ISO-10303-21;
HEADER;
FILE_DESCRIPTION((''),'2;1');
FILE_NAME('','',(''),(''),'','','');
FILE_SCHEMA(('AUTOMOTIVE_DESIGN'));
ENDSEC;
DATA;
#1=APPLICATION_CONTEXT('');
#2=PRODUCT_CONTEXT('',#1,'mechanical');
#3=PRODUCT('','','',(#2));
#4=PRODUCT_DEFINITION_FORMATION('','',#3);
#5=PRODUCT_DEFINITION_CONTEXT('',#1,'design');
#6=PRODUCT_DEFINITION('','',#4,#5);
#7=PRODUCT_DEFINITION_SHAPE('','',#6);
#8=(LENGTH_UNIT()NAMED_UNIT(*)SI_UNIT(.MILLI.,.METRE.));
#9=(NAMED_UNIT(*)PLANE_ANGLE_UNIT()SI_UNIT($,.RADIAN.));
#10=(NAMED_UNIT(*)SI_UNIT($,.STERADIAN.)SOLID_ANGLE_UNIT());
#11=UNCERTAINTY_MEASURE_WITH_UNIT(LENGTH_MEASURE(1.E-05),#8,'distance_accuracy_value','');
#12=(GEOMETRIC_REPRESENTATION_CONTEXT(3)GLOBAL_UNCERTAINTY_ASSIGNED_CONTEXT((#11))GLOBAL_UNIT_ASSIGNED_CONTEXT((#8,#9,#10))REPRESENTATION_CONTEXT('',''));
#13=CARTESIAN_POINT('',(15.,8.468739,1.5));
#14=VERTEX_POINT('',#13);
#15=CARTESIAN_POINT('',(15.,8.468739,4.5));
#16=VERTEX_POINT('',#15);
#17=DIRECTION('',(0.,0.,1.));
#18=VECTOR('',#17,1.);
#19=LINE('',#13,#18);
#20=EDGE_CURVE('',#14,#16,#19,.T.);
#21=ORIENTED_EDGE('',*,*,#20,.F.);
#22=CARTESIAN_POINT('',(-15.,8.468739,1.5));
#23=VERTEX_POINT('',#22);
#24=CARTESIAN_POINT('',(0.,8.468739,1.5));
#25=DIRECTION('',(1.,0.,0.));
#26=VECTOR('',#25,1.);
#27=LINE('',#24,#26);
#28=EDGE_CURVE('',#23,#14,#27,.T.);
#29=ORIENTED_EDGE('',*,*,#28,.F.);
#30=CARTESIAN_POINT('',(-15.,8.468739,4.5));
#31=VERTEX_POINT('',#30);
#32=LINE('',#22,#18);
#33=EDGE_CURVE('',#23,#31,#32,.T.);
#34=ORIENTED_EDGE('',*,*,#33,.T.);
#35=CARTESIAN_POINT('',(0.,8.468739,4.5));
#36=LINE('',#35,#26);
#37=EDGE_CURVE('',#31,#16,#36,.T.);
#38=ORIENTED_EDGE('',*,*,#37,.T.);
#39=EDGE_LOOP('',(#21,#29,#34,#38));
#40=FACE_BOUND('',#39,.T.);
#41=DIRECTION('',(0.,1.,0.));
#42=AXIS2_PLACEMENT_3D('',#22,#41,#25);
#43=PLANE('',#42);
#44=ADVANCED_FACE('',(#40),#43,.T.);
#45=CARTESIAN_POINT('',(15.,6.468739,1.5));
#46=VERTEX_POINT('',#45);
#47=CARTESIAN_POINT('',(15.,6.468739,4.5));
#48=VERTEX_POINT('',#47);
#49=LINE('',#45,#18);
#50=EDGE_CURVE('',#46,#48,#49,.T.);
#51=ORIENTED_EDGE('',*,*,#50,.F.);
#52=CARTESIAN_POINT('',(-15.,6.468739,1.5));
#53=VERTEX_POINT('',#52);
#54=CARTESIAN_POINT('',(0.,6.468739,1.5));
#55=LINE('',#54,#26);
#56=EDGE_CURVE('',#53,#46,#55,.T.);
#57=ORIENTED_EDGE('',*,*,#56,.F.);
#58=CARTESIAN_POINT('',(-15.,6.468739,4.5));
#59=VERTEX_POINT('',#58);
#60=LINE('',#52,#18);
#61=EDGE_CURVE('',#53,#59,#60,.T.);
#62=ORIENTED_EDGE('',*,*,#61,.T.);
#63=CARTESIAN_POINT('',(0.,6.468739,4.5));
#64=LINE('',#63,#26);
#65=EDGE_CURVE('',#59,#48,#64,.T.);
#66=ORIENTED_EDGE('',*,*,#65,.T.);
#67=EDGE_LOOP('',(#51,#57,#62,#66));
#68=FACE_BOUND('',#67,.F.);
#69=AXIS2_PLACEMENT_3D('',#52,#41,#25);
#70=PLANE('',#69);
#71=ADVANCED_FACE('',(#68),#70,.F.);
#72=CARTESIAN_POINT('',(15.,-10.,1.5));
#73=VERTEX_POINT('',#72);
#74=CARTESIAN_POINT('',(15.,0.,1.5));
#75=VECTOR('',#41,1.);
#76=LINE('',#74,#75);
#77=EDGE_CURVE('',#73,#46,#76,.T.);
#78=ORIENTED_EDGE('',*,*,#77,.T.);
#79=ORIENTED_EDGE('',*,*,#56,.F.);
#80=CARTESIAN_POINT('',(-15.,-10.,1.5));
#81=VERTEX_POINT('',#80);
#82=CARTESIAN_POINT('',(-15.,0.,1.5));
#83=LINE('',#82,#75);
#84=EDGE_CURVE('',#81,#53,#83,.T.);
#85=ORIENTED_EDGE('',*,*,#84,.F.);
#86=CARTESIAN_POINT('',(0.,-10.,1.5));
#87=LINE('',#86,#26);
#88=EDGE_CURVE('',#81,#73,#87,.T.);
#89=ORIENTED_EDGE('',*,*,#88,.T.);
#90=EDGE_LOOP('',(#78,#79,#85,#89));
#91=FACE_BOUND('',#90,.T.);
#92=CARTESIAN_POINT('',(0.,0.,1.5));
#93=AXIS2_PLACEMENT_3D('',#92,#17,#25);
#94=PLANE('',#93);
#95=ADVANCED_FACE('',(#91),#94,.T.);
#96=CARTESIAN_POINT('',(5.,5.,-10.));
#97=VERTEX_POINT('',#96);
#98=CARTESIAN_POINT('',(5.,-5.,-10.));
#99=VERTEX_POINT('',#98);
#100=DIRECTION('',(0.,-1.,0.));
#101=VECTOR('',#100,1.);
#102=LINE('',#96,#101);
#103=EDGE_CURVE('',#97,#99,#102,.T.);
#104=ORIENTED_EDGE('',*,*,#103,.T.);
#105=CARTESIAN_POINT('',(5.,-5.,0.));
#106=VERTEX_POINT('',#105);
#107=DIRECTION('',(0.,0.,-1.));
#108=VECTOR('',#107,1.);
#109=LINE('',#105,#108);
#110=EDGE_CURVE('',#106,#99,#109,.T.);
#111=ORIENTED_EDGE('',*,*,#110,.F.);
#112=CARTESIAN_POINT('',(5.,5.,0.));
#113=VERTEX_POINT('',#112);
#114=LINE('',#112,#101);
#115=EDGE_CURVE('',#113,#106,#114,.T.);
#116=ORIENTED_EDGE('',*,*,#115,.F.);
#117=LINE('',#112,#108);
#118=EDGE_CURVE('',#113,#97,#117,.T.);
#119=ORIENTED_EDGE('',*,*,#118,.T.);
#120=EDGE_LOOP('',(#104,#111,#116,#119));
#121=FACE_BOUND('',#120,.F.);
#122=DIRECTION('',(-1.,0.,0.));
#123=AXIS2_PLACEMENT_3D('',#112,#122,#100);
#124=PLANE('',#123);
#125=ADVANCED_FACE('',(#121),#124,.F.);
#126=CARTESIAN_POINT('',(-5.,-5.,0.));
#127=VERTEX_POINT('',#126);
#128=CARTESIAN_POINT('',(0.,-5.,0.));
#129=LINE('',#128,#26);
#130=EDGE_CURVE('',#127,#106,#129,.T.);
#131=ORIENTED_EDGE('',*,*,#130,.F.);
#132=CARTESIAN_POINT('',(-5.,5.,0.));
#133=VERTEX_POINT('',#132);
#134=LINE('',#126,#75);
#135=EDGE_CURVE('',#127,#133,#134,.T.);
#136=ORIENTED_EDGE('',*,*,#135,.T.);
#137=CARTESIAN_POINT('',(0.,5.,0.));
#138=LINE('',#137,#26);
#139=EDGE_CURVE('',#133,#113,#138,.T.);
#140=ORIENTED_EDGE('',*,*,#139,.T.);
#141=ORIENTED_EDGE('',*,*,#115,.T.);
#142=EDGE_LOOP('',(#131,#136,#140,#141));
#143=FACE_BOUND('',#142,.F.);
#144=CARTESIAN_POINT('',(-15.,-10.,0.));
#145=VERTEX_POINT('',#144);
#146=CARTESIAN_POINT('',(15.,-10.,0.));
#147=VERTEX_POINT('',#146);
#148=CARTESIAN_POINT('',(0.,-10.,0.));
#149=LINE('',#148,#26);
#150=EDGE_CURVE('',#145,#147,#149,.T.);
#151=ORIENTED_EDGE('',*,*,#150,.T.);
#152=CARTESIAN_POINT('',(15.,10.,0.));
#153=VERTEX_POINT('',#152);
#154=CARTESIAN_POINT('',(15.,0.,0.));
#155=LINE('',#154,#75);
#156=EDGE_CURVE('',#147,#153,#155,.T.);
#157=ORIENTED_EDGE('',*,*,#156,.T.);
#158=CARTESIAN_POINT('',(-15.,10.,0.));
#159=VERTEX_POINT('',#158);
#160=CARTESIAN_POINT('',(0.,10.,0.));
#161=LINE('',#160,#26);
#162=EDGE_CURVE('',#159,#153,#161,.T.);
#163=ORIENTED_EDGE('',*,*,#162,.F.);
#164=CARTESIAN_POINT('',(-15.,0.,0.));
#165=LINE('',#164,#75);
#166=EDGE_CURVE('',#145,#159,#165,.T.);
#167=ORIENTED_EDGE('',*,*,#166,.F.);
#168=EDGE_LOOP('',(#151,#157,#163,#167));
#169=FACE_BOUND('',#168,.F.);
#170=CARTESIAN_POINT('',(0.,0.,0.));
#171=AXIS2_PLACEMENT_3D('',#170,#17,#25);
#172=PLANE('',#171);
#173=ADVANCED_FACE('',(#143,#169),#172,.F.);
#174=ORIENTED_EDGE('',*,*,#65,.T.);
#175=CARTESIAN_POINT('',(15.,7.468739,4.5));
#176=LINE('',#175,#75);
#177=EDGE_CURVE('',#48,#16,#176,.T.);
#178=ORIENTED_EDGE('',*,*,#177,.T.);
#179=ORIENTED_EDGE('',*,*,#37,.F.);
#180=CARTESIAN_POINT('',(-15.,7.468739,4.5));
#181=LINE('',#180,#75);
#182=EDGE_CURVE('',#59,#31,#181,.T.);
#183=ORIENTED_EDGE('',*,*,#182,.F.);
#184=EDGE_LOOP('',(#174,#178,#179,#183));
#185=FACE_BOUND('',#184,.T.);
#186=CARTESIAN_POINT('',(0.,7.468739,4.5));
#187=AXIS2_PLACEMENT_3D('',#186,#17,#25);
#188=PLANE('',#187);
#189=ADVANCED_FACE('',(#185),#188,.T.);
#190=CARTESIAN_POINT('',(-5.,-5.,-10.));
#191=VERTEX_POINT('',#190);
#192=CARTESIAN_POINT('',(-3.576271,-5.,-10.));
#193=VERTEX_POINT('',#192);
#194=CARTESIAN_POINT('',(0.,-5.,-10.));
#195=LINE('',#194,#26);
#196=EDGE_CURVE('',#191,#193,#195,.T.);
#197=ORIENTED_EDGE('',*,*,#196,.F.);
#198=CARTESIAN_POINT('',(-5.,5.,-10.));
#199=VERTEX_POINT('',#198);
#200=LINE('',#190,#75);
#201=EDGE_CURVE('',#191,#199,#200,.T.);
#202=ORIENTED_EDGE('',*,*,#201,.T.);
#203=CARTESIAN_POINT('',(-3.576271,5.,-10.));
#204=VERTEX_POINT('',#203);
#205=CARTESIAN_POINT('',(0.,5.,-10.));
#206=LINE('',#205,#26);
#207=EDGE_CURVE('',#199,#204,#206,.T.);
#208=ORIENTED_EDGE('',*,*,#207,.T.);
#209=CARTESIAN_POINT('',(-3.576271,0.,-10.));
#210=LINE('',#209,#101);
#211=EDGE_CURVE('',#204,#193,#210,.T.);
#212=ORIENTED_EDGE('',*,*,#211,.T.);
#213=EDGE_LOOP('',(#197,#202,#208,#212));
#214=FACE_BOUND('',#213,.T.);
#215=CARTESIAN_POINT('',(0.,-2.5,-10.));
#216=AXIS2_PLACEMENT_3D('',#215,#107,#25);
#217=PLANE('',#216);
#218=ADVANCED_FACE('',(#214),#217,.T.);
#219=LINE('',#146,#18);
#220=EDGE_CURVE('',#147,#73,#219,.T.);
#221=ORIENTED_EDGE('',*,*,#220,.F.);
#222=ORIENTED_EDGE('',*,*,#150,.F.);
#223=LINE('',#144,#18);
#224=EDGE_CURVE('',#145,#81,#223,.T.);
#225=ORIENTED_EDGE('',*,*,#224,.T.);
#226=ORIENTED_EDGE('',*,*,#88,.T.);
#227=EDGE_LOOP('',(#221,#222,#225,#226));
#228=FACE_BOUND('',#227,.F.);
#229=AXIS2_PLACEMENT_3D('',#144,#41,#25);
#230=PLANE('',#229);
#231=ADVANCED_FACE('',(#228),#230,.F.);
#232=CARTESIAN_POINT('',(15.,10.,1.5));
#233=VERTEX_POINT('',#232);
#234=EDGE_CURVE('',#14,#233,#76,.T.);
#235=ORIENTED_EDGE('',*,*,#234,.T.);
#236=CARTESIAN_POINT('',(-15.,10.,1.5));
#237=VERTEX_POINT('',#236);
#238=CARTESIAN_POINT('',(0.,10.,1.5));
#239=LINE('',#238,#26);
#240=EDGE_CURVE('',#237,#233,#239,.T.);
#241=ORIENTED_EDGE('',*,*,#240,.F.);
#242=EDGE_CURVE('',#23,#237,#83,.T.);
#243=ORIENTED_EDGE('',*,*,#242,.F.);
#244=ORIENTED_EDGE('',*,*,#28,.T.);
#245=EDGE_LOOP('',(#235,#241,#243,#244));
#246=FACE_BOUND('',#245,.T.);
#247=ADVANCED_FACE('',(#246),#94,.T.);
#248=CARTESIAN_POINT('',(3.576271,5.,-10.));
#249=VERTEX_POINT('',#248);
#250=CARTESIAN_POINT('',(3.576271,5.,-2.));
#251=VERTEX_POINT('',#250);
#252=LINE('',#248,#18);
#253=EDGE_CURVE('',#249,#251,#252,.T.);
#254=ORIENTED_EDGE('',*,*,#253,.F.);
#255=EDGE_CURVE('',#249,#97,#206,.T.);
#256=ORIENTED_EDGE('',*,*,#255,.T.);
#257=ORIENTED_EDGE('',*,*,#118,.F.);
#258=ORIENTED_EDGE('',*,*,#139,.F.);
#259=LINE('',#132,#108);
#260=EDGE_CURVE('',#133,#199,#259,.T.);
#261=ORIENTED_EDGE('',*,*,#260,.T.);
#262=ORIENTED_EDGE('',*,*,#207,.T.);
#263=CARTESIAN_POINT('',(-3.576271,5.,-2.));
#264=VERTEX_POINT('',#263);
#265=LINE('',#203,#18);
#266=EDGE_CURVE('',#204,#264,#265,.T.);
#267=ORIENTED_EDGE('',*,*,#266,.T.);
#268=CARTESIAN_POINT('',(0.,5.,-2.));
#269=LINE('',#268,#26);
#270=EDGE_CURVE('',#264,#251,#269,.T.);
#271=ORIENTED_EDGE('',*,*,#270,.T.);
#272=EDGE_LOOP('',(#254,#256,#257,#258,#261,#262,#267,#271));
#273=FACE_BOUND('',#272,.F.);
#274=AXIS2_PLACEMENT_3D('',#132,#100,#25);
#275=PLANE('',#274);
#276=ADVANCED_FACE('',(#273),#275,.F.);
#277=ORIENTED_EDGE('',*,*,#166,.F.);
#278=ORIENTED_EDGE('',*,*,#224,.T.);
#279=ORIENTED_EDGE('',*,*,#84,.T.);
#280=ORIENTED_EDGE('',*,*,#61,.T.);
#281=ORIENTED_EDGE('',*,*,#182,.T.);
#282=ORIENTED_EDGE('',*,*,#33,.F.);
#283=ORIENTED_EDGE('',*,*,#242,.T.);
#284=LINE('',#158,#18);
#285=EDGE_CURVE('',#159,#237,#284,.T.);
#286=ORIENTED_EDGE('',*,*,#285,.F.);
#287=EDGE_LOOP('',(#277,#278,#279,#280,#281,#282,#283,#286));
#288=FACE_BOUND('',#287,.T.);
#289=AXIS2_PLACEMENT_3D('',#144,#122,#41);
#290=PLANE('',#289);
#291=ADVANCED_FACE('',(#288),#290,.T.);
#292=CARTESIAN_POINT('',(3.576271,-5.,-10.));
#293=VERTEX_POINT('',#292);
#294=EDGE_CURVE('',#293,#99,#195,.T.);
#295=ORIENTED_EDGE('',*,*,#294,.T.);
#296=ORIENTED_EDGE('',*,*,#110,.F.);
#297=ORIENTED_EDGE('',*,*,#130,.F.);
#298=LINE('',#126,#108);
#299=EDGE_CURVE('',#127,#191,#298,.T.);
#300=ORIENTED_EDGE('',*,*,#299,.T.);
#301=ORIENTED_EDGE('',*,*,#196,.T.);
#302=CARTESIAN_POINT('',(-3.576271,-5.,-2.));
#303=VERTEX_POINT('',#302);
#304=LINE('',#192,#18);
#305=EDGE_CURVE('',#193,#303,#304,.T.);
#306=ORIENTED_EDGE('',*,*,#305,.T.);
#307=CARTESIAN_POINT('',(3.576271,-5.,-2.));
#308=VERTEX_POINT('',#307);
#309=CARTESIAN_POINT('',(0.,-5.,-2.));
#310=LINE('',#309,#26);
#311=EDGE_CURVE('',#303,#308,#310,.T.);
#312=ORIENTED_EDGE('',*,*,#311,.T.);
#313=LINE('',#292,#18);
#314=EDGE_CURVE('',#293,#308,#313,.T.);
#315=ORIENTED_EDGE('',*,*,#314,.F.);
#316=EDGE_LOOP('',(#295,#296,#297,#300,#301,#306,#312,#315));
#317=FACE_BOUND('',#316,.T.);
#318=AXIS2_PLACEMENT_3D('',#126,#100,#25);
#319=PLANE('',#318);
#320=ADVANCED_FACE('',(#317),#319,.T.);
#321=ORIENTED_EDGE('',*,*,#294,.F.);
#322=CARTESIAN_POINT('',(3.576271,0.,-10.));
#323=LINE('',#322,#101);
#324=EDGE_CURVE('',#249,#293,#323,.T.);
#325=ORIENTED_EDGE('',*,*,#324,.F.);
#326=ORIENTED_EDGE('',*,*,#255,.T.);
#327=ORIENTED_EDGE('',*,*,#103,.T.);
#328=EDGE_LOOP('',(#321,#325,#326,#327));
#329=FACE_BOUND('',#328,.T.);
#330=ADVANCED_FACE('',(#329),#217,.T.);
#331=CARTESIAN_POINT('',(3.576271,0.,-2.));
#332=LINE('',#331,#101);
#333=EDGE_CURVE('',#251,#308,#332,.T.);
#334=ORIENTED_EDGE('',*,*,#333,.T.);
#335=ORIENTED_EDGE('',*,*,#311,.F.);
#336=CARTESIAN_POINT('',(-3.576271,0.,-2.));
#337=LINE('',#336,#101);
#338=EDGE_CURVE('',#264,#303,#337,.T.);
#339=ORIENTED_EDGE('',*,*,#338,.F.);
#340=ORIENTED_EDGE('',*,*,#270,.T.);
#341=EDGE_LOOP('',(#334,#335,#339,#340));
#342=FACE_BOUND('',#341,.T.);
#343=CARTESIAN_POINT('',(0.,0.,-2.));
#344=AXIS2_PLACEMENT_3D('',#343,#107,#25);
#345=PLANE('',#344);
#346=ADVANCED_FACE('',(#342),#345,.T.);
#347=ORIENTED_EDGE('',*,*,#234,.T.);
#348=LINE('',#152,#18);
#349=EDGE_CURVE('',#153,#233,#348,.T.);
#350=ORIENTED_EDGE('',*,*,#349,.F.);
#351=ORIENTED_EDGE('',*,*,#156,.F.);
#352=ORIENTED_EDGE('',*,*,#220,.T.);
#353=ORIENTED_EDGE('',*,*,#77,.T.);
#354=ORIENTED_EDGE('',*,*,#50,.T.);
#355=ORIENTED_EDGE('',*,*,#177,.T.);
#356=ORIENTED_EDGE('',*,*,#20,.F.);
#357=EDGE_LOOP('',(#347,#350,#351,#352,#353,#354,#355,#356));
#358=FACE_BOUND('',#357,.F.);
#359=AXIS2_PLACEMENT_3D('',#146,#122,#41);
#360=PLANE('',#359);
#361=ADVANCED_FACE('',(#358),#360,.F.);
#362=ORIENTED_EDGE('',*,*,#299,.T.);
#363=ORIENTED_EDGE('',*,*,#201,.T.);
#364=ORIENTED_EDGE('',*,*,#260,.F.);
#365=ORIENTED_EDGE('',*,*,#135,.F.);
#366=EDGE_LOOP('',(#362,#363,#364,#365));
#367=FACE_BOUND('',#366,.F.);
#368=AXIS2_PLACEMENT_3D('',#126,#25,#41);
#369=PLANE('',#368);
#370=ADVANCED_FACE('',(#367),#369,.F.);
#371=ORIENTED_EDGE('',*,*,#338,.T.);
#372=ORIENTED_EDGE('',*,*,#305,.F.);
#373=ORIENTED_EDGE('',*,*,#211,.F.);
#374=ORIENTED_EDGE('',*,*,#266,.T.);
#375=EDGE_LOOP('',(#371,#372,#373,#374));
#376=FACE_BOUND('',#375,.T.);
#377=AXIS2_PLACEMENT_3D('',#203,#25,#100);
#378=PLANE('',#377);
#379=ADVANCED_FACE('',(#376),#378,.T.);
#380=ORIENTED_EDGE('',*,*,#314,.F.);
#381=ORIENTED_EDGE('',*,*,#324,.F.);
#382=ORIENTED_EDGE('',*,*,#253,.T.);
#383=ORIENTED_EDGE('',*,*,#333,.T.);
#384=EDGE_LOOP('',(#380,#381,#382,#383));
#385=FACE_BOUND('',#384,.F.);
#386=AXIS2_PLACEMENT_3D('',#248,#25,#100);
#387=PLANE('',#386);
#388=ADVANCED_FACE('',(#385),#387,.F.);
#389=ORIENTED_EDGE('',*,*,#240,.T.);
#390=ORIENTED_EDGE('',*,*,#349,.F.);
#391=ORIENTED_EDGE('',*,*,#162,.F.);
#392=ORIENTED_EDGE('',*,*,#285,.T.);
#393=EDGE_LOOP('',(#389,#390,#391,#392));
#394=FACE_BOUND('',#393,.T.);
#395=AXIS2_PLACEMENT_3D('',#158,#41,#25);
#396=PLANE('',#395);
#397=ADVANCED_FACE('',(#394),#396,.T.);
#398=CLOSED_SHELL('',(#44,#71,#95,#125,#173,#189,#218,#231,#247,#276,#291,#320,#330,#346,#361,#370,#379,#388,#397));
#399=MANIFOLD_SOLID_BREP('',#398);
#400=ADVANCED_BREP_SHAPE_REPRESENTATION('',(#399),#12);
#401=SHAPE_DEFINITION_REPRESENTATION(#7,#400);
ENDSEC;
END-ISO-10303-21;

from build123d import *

# Parameters (mm, degrees)
F0_W     = 30
F0_H     = 20
F1_DEPTH = 1.5
F2_W     = 30
F2_H     = 2
F3_DEPTH = 3
F4_W     = 10
F4_H     = 5
F5_DEPTH = 10
F6_W     = 7.152542
F6_H     = 10
F7_DEPTH = 8


with BuildPart() as f1:
    # F0 (on Top) → F1 (new body)
    with BuildSketch(Plane.XY):
        Rectangle(F0_W, F0_H)
    extrude(amount=F1_DEPTH)

    # F2 (on face) → F3 (join)
    with BuildSketch(Plane.XY.offset(1.5)):
        with Locations((0, 7.468739)):
            Rectangle(F2_W, F2_H)
    extrude(amount=F3_DEPTH)

    # F4 (on face) → F5 (join)
    with BuildSketch(Plane(origin=(0, 0, 0), x_dir=(1, 0, 0), z_dir=(0, 0, -1))):
        with Locations((0, 2.5)):
            Rectangle(F4_W, F4_H)
        with Locations((0, -2.5)):
            Rectangle(F4_W, F4_H)
    extrude(amount=F5_DEPTH)

    # F6 (on face) → F7 (cut)
    with BuildSketch(Plane(origin=(0, 0, -10), x_dir=(1, 0, 0), z_dir=(0, 0, -1))):
        Rectangle(F6_W, F6_H)
    extrude(amount=-F7_DEPTH, mode=Mode.SUBTRACT)


solid = f1.part
